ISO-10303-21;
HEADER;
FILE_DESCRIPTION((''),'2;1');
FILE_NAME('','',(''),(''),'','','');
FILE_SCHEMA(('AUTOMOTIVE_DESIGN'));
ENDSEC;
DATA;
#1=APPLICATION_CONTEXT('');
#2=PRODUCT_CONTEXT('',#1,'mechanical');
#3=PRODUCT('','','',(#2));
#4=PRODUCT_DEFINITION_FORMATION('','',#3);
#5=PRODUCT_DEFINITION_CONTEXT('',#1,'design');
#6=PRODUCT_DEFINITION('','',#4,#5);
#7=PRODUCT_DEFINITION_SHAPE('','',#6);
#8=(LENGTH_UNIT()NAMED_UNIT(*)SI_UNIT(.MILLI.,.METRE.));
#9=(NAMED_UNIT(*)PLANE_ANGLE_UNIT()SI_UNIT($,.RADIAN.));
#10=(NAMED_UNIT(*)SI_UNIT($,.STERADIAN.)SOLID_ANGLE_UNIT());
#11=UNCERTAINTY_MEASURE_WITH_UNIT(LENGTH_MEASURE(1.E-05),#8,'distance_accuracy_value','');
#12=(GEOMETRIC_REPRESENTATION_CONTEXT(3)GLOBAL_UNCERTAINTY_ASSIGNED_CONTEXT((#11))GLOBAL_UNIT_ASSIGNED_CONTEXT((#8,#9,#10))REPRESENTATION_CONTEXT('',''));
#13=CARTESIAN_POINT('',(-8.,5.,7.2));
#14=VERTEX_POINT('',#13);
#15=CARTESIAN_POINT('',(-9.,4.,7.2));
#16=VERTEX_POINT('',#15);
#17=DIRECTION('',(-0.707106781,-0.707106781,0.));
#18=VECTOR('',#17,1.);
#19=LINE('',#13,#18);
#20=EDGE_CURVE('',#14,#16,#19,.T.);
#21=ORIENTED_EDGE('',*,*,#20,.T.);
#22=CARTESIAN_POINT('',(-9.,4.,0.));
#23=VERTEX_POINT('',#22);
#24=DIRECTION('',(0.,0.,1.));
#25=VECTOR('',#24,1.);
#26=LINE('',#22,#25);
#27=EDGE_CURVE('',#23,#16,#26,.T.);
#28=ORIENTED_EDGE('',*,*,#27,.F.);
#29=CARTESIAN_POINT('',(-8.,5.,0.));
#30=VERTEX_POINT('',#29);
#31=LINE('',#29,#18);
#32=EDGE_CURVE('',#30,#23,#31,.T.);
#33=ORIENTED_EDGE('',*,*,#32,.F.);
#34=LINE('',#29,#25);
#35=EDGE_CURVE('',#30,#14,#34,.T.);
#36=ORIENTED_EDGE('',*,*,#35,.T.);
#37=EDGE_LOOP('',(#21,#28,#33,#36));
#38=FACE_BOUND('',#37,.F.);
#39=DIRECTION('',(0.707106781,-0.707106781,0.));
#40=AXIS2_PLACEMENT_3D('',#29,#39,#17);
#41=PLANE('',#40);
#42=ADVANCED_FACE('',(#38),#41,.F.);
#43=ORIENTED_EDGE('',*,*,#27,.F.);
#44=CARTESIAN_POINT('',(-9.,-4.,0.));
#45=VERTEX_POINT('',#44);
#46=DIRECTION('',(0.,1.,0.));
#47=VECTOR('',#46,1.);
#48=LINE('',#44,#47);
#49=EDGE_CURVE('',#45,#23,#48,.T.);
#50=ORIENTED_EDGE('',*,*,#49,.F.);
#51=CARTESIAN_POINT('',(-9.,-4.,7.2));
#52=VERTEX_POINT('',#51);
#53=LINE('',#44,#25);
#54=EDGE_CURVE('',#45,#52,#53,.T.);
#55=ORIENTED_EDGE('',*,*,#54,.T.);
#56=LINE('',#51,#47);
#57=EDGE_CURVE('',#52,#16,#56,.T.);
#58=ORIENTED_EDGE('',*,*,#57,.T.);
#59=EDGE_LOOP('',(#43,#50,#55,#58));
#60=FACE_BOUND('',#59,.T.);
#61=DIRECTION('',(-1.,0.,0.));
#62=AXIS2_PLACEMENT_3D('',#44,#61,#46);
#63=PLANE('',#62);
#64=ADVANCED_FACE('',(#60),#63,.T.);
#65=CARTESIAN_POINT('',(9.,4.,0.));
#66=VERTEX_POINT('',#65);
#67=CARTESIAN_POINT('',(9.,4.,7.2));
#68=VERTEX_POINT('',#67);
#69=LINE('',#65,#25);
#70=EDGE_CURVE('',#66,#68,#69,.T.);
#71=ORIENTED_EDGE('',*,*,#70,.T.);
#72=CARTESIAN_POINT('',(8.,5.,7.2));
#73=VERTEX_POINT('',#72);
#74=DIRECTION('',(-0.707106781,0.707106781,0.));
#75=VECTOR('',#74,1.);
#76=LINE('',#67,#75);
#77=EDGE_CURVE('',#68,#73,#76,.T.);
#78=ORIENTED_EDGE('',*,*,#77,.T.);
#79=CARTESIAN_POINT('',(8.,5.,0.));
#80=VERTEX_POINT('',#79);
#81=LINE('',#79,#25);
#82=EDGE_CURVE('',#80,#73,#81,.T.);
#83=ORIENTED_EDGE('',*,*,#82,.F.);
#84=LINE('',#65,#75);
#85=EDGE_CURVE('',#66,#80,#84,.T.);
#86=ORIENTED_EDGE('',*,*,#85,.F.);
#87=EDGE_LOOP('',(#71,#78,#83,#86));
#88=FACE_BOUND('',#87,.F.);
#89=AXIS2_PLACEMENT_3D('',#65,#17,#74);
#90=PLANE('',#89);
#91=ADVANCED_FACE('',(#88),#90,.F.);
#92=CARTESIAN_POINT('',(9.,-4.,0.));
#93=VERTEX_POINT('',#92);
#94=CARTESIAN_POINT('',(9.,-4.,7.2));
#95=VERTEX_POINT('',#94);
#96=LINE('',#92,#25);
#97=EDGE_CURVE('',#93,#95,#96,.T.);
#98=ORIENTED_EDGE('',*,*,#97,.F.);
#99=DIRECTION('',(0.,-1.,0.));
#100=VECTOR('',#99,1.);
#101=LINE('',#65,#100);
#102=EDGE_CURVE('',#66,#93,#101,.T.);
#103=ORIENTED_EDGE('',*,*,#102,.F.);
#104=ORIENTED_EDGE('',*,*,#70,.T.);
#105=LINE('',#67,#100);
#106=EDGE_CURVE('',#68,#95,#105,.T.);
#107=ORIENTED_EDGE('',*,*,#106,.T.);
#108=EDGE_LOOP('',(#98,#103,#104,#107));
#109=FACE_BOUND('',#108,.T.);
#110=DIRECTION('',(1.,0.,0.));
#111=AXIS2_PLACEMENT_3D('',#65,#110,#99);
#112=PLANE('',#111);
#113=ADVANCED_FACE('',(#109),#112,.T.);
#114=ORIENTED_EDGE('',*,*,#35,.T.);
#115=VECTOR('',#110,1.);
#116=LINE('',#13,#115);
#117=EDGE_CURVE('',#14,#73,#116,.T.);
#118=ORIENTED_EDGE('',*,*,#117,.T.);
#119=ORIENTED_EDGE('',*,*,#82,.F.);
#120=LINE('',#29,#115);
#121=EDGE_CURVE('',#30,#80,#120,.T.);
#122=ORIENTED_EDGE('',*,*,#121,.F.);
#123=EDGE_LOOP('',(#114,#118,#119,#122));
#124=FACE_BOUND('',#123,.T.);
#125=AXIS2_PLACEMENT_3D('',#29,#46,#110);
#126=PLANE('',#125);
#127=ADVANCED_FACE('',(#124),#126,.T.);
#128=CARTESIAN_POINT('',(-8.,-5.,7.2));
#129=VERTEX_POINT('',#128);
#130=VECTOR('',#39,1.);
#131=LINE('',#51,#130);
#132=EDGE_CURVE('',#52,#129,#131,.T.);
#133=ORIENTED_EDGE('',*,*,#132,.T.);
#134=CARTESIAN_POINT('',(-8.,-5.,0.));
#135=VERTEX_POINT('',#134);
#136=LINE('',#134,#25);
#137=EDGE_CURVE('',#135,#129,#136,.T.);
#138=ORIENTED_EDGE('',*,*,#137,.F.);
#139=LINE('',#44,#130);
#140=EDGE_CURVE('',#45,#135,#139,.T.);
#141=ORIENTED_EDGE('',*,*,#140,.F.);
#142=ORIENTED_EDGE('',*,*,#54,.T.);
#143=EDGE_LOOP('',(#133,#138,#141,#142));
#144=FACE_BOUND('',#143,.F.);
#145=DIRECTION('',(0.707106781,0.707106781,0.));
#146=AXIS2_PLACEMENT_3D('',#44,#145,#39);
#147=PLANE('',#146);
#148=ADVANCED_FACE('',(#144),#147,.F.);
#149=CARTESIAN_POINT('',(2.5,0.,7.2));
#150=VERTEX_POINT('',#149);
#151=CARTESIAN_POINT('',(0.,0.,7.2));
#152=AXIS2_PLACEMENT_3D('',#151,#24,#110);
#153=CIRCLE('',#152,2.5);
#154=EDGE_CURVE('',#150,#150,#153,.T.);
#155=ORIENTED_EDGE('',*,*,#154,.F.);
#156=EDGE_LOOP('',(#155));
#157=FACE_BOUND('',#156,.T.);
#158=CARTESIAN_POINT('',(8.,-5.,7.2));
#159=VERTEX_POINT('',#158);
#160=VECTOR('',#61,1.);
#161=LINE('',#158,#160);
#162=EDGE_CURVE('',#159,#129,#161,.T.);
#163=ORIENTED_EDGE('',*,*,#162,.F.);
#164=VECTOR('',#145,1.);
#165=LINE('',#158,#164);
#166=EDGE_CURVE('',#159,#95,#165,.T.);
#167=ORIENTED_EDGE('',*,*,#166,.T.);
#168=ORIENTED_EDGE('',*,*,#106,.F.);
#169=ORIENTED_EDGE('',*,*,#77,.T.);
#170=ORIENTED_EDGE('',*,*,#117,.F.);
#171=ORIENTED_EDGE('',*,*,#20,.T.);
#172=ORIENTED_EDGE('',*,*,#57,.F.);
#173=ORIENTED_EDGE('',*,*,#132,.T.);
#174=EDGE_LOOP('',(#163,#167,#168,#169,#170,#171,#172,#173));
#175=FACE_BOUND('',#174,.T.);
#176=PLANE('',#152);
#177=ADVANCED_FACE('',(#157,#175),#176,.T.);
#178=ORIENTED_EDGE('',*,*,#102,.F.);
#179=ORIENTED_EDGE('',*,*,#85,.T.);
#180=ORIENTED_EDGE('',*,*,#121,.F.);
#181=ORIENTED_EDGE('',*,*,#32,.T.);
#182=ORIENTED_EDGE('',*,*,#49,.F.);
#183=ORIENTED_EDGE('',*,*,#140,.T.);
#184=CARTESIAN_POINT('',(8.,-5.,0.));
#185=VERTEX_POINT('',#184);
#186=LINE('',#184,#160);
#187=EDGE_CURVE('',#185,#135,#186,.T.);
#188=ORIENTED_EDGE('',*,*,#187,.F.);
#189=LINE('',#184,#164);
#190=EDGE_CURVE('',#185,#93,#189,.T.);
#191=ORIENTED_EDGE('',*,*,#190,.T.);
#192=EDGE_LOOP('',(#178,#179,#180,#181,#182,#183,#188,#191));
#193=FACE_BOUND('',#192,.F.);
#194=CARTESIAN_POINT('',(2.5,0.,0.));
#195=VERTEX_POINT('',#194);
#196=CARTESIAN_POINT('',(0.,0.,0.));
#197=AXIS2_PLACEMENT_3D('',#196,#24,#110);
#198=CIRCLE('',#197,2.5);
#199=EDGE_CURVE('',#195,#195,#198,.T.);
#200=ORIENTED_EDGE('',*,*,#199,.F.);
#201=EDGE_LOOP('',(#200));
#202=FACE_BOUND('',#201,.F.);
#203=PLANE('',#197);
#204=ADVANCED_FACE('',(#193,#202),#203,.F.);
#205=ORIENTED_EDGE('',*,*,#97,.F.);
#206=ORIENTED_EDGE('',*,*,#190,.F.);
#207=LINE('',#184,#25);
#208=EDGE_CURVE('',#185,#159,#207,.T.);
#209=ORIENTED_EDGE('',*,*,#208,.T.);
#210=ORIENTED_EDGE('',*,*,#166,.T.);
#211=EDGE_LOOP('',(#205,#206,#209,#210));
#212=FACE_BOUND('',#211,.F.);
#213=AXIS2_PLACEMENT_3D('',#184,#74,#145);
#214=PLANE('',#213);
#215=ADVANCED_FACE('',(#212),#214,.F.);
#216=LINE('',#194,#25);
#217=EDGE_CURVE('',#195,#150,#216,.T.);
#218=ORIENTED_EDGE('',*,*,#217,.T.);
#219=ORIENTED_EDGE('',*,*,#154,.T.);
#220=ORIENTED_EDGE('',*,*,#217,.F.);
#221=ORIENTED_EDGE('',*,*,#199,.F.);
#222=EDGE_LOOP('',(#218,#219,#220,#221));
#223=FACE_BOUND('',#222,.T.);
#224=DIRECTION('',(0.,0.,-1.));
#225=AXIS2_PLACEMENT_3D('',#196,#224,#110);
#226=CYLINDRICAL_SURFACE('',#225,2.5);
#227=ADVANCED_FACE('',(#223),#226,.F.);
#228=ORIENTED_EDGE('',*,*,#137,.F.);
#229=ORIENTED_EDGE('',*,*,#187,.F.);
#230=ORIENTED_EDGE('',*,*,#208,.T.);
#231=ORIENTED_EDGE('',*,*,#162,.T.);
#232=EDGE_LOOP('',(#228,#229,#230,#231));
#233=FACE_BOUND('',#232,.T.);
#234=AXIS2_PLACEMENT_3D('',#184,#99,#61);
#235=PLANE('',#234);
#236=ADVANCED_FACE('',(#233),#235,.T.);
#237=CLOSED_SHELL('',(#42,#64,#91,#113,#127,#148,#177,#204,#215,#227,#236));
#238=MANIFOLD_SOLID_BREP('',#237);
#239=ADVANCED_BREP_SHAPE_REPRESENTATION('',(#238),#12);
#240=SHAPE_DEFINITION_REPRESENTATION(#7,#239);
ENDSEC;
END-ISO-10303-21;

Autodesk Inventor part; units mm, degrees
ref_plane "YZ Plane" through (0, 0, 0) normal (1, 0, 0) x (0, 1, 0)
ref_plane "XZ Plane" through (0, 0, 0) normal (0, 1, 0) x (-1, 0, 0)
ref_plane "XY Plane" through (0, 0, 0) normal (0, 0, 1) x (1, 0, 0)
sketch "Sketch1" plane through (0, 0, 0) normal (0, 0, 1) x (1, 0, 0)
  circle A0 centre (0, 0) radius 2.5
  line L0 (-8, 5) -> (8, 5)
  line L1 (9, 4) -> (9, -4)
  line L2 (8, -5) -> (-8, -5)
  line L3 (-9, -4) -> (-9, 4)
  line L4 (-8, 5) -> (-9, 4)
  line L5 (-9, -4) -> (-8, -5)
  line L6 (8, -5) -> (9, -4)
  line L7 (9, 4) -> (8, 5)
  point P0 (-9, 5)
  point P1 (9, -5)
  point P2 (9, 5)
  point P3 (-9, -5)
  point P4 (0, 5)
  point P5 (9, 0)
  dimension "d0" = 5
  dimension "d1" = 1
  dimension "d2" = 1
  dimension "d3" = 1
  dimension "d4" = 1
  dimension "d5" = 1
  dimension "d6" = 1
  dimension "d7" = 1
  dimension "d8" = 1
  dimension "d9" = 18
  dimension "d10" = 10
extrude "Extrusion1" add sketch "Sketch1" along normal blind 7.2
equation "\"d2\" = d1"
equation "\"d3\" = d1"
equation "\"d4\" = d3"
equation "\"d5\" = d1"
equation "\"d6\" = d5"
equation "\"d7\" = d1"
equation "\"d8\" = d7"
properties part number "Slide"
